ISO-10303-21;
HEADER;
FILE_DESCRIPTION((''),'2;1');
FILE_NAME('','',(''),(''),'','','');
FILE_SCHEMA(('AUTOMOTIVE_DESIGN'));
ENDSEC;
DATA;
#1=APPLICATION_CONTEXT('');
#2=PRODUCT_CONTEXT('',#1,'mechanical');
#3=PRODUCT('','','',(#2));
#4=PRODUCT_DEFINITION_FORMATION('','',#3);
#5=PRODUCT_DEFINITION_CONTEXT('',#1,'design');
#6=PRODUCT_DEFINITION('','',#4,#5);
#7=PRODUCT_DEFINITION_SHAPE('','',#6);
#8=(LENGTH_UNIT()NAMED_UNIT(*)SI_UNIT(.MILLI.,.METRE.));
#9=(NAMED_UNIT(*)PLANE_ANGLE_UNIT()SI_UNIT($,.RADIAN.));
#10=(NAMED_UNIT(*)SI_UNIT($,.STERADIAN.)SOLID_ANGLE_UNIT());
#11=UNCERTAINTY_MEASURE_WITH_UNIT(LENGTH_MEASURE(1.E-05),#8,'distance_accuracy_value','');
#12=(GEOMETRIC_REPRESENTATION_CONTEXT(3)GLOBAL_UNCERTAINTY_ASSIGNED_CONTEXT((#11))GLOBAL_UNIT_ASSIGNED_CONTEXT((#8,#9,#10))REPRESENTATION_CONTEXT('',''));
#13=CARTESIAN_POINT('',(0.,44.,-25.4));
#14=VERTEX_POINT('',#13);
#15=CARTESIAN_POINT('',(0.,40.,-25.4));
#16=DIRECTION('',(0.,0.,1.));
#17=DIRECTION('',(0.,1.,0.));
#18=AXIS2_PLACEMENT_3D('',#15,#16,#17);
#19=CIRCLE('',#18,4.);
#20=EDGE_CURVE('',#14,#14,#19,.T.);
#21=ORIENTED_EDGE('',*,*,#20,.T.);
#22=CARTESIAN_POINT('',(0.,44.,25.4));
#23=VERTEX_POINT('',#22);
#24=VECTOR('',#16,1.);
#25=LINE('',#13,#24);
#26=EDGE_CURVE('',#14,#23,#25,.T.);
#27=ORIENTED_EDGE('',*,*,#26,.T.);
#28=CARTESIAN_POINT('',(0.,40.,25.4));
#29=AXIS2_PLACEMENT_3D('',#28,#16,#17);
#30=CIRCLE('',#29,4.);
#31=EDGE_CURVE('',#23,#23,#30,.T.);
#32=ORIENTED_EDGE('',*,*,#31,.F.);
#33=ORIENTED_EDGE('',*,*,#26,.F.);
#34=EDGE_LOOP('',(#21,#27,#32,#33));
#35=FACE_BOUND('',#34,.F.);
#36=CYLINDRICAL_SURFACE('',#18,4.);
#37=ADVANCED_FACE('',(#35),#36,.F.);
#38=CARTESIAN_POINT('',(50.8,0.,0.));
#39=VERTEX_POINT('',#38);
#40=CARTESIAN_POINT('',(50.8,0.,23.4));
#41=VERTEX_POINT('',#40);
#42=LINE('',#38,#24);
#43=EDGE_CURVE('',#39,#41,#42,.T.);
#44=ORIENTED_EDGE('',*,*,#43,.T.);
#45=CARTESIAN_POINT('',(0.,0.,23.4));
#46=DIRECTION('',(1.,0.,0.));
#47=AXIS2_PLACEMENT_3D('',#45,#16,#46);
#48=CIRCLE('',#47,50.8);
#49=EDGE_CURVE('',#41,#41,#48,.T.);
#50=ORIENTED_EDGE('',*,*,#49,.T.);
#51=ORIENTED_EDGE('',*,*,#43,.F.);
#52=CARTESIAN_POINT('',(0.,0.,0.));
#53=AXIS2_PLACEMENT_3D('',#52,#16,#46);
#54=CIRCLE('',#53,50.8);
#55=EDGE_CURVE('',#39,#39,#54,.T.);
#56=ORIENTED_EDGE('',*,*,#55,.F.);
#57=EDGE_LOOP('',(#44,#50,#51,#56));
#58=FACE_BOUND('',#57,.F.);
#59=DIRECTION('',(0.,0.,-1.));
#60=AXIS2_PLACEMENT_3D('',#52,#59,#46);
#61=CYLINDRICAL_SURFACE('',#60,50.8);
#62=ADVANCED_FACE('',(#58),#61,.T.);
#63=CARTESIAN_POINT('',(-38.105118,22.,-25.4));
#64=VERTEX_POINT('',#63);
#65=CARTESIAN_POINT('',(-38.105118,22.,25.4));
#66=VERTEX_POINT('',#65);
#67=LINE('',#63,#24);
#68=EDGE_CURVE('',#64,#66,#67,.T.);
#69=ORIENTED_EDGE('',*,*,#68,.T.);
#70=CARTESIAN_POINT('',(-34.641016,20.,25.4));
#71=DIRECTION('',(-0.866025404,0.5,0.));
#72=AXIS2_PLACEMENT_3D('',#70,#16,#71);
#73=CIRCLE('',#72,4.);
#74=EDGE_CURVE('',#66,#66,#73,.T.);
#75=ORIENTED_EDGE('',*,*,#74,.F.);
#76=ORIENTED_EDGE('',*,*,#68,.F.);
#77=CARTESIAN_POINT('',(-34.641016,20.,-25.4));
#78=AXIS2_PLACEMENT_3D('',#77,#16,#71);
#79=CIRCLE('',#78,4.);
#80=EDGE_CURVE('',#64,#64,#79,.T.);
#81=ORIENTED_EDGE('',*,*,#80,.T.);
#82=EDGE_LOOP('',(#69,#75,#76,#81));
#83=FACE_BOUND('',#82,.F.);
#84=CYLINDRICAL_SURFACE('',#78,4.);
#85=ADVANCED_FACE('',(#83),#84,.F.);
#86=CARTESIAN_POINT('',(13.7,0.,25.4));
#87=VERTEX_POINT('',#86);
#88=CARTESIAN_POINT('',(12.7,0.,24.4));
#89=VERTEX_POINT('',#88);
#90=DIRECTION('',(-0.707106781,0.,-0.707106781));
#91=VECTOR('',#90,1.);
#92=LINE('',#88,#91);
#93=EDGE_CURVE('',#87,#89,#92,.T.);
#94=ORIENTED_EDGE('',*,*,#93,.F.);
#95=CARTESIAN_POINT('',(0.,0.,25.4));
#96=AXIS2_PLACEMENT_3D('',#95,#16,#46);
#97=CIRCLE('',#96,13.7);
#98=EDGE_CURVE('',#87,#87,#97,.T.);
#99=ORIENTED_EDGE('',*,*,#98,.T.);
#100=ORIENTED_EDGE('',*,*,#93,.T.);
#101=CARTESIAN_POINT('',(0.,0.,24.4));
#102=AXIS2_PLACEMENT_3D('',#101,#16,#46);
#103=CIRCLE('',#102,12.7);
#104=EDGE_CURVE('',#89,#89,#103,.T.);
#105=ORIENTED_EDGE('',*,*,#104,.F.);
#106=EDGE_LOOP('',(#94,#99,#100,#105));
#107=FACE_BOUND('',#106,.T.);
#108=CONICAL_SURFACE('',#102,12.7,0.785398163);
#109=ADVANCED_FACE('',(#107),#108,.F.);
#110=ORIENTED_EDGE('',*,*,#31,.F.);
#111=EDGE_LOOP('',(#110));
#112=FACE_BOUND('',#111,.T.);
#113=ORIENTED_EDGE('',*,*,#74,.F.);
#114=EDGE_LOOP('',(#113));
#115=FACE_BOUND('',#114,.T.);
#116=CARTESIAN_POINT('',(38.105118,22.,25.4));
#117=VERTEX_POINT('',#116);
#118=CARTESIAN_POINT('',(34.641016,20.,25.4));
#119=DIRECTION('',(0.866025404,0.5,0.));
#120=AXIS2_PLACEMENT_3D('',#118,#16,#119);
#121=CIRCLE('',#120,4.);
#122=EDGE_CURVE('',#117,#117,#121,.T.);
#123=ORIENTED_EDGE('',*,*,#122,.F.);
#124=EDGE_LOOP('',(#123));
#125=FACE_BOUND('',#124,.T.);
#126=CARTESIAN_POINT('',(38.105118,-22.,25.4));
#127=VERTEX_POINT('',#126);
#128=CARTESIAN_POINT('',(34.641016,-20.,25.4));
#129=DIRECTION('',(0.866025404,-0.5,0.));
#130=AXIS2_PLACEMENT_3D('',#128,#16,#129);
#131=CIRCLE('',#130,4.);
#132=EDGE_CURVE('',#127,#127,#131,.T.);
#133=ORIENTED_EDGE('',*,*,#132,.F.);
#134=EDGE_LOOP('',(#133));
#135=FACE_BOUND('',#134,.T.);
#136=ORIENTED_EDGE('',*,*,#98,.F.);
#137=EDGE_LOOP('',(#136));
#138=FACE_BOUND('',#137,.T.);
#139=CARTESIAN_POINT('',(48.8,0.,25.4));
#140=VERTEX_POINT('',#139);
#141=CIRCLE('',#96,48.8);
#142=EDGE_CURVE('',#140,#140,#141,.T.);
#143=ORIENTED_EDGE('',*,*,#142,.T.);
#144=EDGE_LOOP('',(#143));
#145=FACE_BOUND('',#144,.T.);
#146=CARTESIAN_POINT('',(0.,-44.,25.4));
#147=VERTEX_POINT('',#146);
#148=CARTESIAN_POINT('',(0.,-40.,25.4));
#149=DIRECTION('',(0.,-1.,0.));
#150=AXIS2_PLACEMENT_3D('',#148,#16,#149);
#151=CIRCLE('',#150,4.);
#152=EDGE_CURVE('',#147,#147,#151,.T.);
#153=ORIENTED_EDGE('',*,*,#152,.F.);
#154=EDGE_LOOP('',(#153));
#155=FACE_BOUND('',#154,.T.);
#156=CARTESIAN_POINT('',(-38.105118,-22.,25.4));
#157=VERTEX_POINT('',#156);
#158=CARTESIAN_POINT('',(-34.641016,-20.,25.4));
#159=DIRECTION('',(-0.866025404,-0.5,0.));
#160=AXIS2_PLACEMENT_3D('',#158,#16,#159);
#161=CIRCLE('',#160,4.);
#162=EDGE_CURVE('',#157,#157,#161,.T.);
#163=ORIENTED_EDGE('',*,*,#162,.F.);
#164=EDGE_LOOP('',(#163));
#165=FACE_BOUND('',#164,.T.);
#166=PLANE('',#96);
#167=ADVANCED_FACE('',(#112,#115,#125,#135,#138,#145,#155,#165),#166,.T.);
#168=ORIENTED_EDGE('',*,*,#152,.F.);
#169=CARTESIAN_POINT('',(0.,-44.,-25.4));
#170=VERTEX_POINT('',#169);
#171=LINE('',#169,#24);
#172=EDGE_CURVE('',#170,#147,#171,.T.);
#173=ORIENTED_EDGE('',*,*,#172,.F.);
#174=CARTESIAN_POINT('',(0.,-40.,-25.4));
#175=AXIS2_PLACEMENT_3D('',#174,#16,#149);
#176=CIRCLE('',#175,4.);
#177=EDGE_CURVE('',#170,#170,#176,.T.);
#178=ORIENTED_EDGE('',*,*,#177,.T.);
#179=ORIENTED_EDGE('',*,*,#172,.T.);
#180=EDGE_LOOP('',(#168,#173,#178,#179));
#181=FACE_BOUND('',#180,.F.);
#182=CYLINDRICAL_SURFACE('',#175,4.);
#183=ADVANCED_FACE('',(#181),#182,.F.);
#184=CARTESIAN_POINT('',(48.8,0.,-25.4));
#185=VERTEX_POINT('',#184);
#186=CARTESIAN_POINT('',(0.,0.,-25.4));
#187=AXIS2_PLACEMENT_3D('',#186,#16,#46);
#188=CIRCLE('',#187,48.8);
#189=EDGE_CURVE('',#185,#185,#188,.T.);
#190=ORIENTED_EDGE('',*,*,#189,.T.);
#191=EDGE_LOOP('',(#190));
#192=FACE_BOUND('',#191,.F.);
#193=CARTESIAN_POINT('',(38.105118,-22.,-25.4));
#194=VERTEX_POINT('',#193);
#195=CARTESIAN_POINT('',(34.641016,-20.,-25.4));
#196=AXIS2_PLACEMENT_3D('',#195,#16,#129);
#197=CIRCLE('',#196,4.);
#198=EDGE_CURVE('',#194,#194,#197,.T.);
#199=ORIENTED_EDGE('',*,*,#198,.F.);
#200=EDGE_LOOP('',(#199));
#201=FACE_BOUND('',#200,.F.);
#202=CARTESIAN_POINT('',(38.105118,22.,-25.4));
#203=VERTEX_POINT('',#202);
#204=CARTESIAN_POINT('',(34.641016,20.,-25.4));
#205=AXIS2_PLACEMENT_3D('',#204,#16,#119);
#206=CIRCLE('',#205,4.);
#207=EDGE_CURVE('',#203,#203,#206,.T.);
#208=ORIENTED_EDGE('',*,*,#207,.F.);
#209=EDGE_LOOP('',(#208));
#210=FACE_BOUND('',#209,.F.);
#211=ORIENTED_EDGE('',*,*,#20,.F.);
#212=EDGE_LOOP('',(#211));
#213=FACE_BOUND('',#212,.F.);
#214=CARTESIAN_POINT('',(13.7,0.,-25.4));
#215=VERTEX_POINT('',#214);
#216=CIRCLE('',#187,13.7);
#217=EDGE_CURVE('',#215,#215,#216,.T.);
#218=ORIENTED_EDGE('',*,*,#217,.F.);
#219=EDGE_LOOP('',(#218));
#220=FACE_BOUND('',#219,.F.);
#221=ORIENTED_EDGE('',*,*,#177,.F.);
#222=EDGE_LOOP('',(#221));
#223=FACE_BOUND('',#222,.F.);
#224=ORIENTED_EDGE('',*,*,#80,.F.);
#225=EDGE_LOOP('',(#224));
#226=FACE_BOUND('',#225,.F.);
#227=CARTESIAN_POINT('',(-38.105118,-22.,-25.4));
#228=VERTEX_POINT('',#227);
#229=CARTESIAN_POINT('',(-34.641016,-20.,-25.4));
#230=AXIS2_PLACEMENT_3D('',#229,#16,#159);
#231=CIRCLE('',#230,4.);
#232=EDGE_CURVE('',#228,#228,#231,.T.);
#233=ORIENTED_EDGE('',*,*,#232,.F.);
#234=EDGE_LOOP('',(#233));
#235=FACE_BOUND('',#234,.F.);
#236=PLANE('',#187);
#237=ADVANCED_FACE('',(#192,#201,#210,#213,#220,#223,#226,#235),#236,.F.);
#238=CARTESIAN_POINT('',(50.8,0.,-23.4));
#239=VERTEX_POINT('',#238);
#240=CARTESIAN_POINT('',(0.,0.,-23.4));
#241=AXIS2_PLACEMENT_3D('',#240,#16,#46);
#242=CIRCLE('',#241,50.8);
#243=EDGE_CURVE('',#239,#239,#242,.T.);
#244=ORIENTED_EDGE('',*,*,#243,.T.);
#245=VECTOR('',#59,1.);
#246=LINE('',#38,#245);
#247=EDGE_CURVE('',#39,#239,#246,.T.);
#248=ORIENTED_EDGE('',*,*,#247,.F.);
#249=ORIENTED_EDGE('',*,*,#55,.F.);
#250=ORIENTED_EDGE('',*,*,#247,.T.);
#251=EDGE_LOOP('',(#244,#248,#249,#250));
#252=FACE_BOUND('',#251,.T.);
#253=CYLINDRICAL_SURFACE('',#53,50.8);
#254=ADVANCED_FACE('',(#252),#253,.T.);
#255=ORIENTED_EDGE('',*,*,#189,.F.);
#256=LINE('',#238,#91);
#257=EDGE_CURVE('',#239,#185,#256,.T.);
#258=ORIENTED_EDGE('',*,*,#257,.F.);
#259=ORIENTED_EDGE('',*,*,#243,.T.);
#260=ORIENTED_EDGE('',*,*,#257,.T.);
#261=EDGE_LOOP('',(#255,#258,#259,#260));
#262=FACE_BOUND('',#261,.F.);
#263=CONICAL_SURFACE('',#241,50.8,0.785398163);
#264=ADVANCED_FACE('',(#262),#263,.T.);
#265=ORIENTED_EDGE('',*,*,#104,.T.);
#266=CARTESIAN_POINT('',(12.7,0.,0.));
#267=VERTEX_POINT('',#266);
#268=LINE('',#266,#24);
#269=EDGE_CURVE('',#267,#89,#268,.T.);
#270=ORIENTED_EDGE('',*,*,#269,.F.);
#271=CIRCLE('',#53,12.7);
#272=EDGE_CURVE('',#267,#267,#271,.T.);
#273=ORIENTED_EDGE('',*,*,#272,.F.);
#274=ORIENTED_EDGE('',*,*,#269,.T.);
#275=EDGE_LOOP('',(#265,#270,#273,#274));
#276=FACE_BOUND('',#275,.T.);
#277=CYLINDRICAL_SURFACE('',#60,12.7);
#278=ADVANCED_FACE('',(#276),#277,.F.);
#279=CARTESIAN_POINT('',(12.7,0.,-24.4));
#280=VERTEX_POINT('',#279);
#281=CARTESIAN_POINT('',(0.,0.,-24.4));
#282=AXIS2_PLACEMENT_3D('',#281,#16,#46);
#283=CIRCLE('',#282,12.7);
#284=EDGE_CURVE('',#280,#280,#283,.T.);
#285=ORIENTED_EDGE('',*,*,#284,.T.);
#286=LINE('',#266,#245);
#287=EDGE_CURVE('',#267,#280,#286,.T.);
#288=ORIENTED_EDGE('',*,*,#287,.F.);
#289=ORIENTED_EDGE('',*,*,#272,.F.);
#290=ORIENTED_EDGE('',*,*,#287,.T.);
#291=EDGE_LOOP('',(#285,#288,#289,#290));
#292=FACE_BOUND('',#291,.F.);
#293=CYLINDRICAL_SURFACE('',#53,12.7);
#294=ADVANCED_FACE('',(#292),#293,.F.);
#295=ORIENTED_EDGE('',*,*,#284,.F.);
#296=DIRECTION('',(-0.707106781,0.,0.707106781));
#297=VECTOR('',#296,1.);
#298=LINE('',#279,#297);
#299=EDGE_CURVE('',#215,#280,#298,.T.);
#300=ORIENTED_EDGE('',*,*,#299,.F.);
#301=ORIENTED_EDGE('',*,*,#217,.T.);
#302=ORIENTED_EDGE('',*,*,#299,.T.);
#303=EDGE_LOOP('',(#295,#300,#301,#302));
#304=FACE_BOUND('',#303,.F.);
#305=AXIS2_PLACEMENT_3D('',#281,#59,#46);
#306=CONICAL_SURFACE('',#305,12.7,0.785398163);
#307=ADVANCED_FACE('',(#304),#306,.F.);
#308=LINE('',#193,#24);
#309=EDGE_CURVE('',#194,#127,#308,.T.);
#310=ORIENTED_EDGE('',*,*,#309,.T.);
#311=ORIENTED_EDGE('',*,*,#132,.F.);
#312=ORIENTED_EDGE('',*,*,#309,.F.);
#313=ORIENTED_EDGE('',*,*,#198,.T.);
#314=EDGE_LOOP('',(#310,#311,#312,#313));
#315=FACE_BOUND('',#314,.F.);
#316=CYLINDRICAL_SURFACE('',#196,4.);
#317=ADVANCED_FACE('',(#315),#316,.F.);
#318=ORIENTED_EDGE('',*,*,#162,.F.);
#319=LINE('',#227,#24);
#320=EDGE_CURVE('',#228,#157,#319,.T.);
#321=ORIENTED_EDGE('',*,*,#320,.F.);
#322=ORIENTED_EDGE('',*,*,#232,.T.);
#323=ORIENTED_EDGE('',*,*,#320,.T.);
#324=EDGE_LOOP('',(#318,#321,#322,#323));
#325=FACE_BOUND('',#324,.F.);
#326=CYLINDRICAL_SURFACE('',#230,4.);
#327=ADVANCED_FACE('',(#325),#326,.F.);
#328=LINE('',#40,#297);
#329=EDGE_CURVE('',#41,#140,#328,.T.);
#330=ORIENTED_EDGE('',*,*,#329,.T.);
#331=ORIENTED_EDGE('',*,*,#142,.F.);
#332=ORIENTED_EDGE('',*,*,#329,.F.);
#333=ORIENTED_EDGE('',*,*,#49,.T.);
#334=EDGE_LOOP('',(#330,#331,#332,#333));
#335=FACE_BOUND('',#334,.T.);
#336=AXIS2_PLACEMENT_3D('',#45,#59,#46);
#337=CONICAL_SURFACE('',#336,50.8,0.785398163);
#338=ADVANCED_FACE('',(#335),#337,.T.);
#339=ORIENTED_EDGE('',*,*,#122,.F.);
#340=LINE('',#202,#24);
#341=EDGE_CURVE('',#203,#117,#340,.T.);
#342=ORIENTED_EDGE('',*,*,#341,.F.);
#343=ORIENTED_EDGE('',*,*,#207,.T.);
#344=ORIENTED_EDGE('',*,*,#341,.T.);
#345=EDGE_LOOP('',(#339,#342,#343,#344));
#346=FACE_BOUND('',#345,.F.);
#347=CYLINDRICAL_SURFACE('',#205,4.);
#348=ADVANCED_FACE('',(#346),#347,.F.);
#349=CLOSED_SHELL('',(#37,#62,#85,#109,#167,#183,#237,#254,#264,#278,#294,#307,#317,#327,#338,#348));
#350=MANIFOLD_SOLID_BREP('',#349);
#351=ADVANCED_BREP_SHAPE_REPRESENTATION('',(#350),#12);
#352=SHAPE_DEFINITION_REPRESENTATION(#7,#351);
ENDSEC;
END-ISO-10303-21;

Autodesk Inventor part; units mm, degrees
sketch "Sketch1" plane through (0, 0, 0) normal (0, 0, 1) x (1, 0, 0)
  circle A0 centre (0, 0) radius 12.7
  circle A1 centre (0, 0) radius 50.8
  dimension "d0" = 101.6
  dimension "d1" = 25.4
extrude "Extrusion1" add sketch "Sketch1" along normal mid plane 50.8
sketch "Sketch2" plane through (0, 0, -25.4) normal (0, 0, -1) x (-1, 0, 0)
  circle A0 centre (0, 0) radius 40 construction
  circle A1 centre (0, 0) radius 12.7 construction
  line L0 (0, 0) -> (0, 40) construction
  dimension "d4" = 80
hole "Hole1" at (0, 40, -25.4) direction (0, 0, 1) diameter 8 end through all
pattern_circular "Circular Pattern1" count 6 over 360 about axis through (0, 0, -10) along (0, 0, 1) of "Hole1"
chamfer "Chamfer1" distance 2 angle 45 2 edges at (-50.8, 0, -25.4) (-50.8, 0, 25.4)
chamfer "Chamfer2" distance 1 angle 45 2 edges at (-12.7, 0, -25.4) (-12.7, 0, 25.4)
properties part number "Porsche_912_CV_Joint"
